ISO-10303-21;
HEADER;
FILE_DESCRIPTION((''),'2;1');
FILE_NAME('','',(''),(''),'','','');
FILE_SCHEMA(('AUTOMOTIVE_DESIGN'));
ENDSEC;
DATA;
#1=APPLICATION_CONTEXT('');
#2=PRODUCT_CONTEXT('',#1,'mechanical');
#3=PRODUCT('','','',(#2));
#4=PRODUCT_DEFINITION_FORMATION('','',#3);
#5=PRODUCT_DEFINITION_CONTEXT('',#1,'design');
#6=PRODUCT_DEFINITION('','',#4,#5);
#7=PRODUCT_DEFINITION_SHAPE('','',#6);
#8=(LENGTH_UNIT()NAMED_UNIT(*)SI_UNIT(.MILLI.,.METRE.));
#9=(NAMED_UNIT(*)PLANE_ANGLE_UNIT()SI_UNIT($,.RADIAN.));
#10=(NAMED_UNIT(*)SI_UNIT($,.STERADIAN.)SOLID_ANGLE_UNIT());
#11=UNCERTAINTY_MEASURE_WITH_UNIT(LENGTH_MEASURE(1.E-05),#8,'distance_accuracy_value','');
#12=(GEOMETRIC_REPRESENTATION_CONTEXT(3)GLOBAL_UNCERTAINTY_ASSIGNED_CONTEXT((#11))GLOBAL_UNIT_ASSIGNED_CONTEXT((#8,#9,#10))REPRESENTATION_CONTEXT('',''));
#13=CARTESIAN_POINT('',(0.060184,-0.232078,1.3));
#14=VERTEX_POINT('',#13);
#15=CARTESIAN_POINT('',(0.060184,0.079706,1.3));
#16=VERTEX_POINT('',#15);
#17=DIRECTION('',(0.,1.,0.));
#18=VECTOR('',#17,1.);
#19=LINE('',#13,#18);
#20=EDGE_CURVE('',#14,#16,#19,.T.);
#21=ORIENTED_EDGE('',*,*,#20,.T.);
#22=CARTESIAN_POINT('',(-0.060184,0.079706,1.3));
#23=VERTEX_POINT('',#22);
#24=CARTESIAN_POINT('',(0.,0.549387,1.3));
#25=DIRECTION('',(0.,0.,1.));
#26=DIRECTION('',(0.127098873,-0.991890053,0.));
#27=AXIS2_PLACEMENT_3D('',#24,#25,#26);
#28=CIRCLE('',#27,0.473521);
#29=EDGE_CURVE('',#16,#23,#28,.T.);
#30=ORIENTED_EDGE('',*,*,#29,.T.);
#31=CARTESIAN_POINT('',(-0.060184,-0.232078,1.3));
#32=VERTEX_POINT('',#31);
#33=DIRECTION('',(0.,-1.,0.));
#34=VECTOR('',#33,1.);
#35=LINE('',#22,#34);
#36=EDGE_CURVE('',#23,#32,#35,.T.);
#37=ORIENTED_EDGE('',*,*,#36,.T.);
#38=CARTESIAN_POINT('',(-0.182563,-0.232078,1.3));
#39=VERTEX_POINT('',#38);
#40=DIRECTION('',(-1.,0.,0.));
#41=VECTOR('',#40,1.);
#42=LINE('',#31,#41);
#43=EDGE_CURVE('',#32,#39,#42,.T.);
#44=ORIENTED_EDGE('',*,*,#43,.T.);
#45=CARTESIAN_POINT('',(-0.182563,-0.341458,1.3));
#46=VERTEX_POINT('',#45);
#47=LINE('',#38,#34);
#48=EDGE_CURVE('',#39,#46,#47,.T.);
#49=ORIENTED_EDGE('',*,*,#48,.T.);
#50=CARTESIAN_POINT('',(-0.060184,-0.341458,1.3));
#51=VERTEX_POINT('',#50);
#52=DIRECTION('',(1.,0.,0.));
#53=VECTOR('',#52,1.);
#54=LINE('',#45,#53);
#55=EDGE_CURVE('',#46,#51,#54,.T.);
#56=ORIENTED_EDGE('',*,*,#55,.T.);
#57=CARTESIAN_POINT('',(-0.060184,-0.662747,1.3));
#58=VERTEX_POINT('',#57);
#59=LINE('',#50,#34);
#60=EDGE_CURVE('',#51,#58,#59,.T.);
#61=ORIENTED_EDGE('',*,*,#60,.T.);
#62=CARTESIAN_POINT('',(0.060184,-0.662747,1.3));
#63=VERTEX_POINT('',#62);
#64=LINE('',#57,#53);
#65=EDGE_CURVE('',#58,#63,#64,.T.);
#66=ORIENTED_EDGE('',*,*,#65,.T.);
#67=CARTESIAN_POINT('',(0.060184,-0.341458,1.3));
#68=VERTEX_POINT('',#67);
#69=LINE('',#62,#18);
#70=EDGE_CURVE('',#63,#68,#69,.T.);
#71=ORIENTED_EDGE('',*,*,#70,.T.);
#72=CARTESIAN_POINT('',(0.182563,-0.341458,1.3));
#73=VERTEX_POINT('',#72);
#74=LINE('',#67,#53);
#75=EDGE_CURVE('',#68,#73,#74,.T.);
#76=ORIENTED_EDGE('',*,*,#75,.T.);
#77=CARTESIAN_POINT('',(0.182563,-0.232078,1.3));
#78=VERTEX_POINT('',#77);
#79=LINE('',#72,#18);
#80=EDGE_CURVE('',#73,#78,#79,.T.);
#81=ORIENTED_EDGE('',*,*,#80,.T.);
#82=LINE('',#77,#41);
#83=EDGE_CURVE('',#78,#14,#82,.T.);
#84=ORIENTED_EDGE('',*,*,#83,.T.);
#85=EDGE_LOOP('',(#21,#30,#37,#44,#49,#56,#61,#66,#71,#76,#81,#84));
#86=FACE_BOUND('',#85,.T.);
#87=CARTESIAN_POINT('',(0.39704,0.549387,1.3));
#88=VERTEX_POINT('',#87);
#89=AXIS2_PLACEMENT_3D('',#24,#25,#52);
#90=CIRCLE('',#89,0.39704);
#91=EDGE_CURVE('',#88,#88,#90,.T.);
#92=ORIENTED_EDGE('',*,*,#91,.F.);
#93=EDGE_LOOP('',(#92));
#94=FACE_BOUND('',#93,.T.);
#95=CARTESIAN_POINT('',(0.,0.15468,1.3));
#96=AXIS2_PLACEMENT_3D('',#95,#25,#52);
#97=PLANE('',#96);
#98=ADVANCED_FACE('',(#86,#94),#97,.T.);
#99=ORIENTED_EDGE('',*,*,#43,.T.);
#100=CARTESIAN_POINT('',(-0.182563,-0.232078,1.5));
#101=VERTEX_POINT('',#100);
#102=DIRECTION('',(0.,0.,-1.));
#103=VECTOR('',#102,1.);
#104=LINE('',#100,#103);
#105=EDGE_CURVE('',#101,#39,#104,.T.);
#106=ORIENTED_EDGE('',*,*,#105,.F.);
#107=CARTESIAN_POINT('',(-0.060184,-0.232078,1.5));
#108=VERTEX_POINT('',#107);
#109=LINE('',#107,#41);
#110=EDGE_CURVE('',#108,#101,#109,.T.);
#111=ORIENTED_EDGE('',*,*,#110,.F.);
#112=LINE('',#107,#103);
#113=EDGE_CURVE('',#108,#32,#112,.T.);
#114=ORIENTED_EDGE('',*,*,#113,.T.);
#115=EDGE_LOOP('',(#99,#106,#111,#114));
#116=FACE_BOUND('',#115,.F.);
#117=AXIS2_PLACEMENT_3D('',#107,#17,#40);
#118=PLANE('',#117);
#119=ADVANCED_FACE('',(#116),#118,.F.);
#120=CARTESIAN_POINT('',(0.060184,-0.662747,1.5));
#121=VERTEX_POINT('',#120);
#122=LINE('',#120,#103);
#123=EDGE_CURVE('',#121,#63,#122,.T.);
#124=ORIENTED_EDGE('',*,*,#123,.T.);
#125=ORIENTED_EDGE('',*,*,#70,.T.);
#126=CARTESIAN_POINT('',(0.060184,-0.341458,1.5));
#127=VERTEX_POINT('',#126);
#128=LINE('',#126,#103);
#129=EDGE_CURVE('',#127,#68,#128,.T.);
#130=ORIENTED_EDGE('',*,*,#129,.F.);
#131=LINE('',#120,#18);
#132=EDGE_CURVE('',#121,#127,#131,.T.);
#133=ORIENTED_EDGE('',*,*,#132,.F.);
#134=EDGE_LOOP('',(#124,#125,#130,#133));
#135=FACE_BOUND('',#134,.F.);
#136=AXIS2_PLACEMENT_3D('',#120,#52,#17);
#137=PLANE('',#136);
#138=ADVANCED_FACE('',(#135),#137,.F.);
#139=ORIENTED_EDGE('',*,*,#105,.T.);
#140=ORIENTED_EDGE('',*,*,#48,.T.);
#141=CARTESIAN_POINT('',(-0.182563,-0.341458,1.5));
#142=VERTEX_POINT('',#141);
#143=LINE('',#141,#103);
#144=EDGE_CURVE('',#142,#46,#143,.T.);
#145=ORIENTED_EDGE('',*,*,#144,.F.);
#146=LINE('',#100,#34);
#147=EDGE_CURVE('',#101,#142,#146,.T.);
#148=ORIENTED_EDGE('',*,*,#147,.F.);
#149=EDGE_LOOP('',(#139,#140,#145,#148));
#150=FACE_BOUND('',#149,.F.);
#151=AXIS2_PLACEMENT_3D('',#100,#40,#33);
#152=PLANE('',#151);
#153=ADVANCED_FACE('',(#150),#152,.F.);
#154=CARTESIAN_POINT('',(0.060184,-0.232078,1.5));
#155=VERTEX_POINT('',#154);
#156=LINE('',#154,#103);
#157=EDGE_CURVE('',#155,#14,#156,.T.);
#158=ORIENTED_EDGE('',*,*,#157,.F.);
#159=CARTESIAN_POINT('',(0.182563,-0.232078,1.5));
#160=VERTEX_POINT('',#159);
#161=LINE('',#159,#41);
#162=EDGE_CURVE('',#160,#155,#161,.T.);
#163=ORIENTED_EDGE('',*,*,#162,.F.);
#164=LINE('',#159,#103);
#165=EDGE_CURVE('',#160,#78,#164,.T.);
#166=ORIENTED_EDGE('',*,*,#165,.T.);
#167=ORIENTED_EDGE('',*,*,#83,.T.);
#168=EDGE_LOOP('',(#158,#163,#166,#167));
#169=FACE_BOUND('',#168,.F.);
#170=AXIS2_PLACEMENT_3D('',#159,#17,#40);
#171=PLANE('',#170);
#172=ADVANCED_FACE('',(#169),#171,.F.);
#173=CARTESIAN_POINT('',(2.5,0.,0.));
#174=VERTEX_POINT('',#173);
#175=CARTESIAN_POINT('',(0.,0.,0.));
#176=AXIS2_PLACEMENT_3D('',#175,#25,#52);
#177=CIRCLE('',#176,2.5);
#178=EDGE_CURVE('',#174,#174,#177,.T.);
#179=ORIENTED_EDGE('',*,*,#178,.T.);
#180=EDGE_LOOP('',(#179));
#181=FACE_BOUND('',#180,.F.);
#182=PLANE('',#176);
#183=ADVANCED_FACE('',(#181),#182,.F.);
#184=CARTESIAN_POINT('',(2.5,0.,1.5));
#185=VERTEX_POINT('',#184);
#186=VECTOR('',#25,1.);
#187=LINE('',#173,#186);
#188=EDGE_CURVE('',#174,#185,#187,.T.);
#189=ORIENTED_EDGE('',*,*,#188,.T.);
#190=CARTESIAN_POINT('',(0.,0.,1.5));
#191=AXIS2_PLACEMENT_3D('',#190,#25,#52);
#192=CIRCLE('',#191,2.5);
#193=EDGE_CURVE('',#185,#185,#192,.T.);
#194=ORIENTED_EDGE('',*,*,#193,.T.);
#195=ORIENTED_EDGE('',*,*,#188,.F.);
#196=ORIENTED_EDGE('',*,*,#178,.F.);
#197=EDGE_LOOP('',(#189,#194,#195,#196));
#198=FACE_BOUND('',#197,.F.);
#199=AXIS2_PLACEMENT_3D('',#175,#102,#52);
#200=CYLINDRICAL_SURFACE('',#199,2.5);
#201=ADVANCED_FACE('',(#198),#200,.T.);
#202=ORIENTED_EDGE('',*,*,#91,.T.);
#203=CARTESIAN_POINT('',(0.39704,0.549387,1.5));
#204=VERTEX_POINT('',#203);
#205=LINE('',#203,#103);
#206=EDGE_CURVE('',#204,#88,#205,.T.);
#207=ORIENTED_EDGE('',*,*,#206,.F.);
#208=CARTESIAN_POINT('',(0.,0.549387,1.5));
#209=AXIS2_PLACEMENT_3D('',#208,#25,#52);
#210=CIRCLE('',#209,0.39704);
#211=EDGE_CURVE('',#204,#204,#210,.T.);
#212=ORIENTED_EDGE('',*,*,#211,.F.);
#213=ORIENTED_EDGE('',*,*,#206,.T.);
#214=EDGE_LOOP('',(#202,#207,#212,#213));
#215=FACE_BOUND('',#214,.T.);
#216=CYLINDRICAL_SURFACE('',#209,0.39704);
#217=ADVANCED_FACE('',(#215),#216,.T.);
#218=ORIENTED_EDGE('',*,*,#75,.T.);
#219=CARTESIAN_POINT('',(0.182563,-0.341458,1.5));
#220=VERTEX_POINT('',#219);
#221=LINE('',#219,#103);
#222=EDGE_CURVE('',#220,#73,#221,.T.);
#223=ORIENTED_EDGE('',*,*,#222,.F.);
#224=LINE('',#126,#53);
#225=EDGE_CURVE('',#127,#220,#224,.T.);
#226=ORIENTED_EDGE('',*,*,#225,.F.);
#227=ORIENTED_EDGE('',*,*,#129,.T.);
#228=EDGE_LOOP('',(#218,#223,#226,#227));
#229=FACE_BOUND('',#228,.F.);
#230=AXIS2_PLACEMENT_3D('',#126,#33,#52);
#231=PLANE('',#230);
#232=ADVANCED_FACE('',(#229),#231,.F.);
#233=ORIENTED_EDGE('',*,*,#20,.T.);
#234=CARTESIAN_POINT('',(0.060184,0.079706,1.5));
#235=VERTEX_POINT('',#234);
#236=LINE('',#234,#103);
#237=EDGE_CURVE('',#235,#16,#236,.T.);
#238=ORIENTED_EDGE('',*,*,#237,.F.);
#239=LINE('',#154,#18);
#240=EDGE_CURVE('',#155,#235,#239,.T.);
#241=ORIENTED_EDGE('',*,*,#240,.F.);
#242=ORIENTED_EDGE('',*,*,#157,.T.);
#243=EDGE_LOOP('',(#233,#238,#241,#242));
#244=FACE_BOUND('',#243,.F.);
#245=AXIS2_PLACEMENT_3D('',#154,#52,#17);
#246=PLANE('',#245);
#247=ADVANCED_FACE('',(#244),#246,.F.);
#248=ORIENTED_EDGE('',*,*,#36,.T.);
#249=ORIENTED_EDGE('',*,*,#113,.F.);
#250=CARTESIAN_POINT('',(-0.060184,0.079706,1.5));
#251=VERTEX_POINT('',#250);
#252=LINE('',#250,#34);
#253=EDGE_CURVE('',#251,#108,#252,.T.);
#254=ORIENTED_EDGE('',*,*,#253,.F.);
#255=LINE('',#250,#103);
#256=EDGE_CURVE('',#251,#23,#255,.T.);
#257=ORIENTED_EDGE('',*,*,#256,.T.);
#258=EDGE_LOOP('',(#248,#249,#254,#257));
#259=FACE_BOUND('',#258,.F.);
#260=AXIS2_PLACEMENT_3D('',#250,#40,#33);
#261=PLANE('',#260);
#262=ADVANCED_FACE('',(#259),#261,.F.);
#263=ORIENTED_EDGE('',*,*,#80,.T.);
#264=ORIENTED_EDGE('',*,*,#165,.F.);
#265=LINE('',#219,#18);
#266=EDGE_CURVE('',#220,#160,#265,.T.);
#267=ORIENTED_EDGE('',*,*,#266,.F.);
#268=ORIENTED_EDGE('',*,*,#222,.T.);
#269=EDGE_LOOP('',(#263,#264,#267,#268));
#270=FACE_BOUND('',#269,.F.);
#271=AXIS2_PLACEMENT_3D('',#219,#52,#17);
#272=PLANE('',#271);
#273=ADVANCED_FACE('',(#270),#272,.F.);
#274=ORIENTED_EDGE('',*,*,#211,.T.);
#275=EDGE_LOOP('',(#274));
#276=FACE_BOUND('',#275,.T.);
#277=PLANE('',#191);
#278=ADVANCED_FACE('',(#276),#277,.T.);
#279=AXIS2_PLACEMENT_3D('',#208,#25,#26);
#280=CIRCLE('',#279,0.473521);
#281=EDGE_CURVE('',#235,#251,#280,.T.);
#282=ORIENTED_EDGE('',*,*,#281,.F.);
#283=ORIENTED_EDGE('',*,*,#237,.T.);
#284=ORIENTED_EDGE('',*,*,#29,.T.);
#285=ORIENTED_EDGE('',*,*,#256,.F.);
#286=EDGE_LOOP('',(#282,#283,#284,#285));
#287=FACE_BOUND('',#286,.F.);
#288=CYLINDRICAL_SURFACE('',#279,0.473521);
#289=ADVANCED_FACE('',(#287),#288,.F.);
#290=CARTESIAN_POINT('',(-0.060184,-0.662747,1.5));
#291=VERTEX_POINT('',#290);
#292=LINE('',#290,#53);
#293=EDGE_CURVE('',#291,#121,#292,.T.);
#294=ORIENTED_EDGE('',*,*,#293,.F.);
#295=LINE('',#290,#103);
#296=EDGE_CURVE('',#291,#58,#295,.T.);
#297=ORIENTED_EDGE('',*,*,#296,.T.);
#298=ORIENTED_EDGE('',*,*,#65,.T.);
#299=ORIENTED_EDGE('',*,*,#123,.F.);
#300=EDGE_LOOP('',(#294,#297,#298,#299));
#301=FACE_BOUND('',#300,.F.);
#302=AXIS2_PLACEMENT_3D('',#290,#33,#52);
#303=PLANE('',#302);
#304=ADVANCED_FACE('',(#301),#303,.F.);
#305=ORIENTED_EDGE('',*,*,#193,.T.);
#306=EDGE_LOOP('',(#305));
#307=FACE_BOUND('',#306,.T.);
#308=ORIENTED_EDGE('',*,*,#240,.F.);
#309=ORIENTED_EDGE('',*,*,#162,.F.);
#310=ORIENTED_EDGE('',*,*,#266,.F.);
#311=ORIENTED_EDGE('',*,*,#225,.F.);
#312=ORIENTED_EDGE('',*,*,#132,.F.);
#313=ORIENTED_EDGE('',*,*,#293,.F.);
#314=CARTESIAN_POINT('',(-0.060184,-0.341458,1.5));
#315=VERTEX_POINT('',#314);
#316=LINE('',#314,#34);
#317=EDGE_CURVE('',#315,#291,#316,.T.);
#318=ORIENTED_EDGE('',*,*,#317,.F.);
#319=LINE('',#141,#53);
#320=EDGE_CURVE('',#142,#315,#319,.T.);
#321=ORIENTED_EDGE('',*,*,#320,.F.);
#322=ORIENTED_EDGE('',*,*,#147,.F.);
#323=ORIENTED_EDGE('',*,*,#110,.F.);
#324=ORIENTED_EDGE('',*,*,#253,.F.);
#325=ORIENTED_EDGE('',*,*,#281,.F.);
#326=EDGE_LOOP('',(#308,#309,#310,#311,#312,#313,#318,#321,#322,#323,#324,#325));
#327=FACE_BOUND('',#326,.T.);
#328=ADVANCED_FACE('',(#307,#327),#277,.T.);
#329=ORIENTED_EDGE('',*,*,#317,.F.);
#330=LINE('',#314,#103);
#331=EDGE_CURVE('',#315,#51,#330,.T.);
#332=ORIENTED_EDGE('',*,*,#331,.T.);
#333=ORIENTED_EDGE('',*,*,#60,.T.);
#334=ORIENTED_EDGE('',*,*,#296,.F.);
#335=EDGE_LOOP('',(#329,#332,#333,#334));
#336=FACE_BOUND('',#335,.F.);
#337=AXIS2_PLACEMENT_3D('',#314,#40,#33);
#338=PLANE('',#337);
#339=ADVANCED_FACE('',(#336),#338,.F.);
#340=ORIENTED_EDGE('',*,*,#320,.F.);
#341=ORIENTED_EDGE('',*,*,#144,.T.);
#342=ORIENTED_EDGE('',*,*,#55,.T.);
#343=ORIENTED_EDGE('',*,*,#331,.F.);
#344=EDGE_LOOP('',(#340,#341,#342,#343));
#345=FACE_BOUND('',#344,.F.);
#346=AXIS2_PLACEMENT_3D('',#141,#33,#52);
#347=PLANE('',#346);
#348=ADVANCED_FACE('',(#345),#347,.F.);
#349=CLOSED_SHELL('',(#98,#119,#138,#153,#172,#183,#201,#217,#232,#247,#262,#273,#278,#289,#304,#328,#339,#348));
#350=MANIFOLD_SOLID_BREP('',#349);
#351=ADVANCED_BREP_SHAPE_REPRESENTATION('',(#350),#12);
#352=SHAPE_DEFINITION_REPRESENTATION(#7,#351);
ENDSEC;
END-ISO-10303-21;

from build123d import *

# Parameters (mm, degrees)
F0_R     = 2.5
F1_DEPTH = 1.5
F2_R     = 0.39704
F3_DEPTH = 0.2


with BuildPart() as f1:
    # F0 (on Top) → F1 (new body)
    with BuildSketch(Plane.XY):
        Circle(F0_R)
    extrude(amount=F1_DEPTH)

    # F2 (on face) → F3 (cut)
    with BuildSketch(Plane.XY.offset(1.5)):
        with BuildLine():
            Line((0.060184, -0.232078), (0.060184, 0.079706))
            ThreePointArc((0.060184, 0.079706), (0, 1.022908), (-0.060184, 0.079706))
            Line((-0.060184, 0.079706), (-0.060184, -0.232078))
            Line((-0.060184, -0.232078), (-0.182563, -0.232078))
            Line((-0.182563, -0.232078), (-0.182563, -0.341458))
            Line((-0.182563, -0.341458), (-0.060184, -0.341458))
            Line((-0.060184, -0.341458), (-0.060184, -0.662747))
            Line((-0.060184, -0.662747), (0, -0.662747))
            Line((0, -0.662747), (0.060184, -0.662747))
            Line((0.060184, -0.662747), (0.060184, -0.341458))
            Line((0.060184, -0.341458), (0.182563, -0.341458))
            Line((0.182563, -0.341458), (0.182563, -0.232078))
            Line((0.182563, -0.232078), (0.060184, -0.232078))
        make_face()
        with Locations((0, 0.549387)):
            Circle(F2_R, mode=Mode.SUBTRACT)
    extrude(amount=-F3_DEPTH, mode=Mode.SUBTRACT)


solid = f1.part
